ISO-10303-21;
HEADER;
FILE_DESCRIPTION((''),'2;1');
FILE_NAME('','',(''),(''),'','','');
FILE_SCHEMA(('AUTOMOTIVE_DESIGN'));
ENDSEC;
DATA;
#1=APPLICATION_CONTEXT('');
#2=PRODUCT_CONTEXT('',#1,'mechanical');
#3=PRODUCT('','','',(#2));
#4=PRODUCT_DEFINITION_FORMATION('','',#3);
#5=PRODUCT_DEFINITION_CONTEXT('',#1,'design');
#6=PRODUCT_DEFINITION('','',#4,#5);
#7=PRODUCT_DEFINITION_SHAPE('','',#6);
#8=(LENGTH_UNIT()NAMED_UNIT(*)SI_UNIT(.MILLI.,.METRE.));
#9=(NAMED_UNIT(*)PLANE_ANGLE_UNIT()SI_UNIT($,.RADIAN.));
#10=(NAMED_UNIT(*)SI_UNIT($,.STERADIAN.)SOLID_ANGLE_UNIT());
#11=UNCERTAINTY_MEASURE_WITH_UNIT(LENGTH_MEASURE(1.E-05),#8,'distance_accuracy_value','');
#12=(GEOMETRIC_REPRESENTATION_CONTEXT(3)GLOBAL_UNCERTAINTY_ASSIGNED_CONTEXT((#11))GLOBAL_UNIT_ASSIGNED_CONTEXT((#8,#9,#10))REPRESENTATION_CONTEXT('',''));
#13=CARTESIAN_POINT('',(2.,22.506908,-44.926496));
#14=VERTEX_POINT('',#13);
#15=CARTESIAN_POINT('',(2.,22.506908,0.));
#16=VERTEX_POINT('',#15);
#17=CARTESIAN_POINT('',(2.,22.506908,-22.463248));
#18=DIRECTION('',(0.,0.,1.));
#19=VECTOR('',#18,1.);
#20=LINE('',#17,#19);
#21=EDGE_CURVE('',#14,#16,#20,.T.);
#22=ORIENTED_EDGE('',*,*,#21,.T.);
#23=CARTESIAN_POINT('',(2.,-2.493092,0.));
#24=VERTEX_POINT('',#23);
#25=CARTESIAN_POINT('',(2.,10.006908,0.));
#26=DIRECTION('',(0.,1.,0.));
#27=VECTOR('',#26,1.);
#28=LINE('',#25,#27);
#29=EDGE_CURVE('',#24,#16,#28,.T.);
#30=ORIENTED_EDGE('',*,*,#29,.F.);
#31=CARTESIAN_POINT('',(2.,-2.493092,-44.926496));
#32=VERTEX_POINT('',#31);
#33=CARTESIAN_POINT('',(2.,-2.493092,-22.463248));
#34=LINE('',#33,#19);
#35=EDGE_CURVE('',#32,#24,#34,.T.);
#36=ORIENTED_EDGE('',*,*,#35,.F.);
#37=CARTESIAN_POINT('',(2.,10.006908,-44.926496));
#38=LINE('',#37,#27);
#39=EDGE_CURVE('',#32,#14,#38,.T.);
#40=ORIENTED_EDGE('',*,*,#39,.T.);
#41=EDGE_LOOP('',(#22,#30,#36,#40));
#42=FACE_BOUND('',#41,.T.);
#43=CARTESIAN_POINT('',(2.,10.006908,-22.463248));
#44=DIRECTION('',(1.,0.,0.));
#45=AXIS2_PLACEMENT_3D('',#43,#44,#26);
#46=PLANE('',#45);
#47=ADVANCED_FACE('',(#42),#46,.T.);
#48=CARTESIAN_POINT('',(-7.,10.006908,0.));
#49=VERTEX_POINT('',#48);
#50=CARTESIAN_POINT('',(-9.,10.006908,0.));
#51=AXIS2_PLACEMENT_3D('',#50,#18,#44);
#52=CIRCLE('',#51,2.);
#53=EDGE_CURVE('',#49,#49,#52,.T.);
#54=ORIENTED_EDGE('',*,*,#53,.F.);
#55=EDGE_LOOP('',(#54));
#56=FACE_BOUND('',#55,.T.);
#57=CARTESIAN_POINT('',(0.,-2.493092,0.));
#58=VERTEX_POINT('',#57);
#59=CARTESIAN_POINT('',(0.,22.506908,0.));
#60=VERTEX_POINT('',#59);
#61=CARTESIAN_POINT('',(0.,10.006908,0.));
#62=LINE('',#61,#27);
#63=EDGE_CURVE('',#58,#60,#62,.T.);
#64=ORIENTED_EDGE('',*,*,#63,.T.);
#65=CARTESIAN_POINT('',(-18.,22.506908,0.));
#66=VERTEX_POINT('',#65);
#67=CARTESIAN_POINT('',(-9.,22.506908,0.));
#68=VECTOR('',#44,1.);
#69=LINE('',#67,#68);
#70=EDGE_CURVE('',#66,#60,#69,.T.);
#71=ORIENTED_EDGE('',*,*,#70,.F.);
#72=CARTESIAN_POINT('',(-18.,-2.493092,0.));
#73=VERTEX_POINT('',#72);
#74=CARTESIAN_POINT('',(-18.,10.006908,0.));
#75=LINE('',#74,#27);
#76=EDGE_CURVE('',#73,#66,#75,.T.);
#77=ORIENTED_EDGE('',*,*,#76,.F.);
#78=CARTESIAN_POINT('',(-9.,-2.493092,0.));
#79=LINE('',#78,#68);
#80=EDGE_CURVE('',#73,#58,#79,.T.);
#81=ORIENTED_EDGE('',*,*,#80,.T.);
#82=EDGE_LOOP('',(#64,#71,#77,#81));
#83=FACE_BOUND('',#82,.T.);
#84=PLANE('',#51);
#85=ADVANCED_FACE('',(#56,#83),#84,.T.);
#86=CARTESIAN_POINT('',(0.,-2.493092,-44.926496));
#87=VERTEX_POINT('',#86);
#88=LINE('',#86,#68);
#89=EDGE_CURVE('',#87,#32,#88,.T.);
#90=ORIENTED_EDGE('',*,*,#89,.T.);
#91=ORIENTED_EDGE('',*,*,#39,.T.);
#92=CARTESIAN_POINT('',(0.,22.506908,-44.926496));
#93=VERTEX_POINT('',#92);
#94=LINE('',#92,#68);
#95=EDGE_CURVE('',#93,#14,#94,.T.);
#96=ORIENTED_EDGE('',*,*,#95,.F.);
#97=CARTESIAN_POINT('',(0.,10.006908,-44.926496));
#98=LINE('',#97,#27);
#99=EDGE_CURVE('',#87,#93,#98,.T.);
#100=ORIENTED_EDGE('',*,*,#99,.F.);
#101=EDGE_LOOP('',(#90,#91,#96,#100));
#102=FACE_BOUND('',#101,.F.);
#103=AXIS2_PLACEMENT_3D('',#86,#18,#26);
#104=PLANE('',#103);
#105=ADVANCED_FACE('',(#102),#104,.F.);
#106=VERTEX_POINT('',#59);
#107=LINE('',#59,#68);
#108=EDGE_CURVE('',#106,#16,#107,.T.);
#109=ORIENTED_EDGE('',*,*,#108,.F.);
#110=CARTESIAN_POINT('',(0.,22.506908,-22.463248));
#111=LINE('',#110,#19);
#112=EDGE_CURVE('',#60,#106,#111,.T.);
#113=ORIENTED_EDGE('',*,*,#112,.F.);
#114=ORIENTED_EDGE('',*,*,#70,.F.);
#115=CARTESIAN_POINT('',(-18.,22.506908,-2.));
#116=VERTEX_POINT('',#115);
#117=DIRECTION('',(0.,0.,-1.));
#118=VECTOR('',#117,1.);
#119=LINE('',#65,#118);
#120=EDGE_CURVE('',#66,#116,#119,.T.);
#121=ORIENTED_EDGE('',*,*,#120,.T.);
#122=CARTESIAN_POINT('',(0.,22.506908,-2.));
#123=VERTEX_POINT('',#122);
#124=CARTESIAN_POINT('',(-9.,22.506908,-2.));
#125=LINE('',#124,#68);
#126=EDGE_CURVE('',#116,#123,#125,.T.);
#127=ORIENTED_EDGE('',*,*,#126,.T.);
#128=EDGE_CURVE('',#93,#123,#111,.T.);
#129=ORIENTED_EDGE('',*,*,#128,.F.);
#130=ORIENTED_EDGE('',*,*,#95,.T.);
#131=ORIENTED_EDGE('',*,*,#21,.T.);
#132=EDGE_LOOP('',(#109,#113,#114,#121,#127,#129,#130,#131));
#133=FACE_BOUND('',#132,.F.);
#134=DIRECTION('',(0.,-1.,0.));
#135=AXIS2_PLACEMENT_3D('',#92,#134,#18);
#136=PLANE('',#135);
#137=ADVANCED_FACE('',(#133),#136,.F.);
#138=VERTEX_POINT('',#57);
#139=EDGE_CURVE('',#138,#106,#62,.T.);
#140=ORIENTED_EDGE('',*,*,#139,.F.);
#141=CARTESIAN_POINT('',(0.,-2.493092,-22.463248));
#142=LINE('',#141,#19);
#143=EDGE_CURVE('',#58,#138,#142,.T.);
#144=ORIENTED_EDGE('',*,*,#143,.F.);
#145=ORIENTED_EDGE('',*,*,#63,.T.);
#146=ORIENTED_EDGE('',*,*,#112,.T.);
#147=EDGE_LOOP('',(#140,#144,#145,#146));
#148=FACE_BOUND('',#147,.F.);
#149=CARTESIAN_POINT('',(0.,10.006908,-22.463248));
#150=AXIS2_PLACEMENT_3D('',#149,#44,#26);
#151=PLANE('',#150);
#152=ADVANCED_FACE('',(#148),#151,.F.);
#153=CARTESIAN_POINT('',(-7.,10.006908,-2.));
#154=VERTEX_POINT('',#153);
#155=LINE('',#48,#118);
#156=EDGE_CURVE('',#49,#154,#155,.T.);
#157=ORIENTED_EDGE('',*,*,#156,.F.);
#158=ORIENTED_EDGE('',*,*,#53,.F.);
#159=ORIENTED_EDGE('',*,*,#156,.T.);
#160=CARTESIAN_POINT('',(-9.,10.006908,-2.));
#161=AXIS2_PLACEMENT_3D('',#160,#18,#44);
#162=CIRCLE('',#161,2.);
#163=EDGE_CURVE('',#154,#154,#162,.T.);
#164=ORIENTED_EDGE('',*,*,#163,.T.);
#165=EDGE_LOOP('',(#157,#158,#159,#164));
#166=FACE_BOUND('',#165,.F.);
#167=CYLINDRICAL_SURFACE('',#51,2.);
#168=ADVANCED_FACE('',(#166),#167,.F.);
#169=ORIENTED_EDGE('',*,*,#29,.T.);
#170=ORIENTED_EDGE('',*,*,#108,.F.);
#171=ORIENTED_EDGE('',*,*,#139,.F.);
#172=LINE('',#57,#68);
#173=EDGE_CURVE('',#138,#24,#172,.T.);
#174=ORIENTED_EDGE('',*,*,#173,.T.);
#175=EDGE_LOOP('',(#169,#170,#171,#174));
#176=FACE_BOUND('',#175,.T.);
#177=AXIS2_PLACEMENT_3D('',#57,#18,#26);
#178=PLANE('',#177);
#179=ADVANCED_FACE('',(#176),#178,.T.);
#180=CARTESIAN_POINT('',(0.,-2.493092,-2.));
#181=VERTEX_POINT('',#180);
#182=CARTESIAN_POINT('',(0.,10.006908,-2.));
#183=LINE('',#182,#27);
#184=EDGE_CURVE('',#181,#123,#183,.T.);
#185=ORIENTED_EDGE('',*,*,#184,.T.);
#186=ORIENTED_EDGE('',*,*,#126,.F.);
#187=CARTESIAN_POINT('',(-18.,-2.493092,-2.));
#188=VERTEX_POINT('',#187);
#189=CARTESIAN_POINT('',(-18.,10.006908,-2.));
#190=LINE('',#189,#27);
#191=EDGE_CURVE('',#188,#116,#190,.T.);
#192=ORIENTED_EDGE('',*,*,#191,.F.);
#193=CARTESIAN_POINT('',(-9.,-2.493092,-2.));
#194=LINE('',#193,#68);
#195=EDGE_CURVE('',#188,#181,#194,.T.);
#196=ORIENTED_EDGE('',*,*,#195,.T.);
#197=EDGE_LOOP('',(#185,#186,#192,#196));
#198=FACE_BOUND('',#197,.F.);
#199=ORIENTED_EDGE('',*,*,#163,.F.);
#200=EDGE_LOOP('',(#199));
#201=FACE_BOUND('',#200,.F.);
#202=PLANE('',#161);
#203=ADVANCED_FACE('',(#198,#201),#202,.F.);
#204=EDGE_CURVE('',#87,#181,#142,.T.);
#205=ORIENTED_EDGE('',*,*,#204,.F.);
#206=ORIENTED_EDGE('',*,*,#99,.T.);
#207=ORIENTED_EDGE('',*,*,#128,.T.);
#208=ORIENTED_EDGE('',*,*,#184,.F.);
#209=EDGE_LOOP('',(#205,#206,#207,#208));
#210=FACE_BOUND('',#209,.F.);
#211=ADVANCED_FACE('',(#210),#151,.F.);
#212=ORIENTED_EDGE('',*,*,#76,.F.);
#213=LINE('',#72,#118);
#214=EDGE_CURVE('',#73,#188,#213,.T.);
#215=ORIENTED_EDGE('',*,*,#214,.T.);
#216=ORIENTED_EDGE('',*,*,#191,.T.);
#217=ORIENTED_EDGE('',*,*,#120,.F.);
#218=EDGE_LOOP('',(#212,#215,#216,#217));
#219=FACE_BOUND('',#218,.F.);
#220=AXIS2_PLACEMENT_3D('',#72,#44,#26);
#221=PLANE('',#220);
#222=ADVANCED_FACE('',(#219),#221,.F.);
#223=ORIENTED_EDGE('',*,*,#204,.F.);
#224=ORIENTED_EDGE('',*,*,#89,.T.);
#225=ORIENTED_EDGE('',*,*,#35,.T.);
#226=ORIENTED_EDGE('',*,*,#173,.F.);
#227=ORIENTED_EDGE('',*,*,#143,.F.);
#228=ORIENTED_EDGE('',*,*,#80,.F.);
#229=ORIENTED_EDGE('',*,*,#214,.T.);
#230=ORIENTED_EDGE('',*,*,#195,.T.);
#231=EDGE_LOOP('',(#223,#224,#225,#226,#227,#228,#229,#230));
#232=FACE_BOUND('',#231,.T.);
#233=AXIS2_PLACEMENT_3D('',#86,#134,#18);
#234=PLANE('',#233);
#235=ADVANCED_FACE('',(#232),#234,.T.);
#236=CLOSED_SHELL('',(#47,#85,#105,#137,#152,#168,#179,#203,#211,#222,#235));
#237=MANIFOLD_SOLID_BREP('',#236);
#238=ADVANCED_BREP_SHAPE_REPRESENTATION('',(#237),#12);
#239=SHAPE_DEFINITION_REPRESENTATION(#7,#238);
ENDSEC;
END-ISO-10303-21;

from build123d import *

# Parameters (mm, degrees)
F0_W     = 18
F0_H     = 25
F0_R     = 2
F1_DEPTH = 2
F2_W     = 25
F2_H     = 44.926497
F3_DEPTH = 2


with BuildPart() as f1:
    # F0 (on Top) → F1 (new body)
    with BuildSketch(Plane.XY):
        with Locations((-9, 10.006908)):
            Rectangle(F0_W, F0_H)
        with Locations((-9, 10.006908)):
            Circle(F0_R, mode=Mode.SUBTRACT)
    extrude(amount=-F1_DEPTH)

    # F2 (on Right) → F3 (join)
    with BuildSketch(Plane.YZ):
        with Locations((10.006908, -22.463248)):
            Rectangle(F2_W, F2_H)
    extrude(amount=F3_DEPTH)


solid = f1.part
